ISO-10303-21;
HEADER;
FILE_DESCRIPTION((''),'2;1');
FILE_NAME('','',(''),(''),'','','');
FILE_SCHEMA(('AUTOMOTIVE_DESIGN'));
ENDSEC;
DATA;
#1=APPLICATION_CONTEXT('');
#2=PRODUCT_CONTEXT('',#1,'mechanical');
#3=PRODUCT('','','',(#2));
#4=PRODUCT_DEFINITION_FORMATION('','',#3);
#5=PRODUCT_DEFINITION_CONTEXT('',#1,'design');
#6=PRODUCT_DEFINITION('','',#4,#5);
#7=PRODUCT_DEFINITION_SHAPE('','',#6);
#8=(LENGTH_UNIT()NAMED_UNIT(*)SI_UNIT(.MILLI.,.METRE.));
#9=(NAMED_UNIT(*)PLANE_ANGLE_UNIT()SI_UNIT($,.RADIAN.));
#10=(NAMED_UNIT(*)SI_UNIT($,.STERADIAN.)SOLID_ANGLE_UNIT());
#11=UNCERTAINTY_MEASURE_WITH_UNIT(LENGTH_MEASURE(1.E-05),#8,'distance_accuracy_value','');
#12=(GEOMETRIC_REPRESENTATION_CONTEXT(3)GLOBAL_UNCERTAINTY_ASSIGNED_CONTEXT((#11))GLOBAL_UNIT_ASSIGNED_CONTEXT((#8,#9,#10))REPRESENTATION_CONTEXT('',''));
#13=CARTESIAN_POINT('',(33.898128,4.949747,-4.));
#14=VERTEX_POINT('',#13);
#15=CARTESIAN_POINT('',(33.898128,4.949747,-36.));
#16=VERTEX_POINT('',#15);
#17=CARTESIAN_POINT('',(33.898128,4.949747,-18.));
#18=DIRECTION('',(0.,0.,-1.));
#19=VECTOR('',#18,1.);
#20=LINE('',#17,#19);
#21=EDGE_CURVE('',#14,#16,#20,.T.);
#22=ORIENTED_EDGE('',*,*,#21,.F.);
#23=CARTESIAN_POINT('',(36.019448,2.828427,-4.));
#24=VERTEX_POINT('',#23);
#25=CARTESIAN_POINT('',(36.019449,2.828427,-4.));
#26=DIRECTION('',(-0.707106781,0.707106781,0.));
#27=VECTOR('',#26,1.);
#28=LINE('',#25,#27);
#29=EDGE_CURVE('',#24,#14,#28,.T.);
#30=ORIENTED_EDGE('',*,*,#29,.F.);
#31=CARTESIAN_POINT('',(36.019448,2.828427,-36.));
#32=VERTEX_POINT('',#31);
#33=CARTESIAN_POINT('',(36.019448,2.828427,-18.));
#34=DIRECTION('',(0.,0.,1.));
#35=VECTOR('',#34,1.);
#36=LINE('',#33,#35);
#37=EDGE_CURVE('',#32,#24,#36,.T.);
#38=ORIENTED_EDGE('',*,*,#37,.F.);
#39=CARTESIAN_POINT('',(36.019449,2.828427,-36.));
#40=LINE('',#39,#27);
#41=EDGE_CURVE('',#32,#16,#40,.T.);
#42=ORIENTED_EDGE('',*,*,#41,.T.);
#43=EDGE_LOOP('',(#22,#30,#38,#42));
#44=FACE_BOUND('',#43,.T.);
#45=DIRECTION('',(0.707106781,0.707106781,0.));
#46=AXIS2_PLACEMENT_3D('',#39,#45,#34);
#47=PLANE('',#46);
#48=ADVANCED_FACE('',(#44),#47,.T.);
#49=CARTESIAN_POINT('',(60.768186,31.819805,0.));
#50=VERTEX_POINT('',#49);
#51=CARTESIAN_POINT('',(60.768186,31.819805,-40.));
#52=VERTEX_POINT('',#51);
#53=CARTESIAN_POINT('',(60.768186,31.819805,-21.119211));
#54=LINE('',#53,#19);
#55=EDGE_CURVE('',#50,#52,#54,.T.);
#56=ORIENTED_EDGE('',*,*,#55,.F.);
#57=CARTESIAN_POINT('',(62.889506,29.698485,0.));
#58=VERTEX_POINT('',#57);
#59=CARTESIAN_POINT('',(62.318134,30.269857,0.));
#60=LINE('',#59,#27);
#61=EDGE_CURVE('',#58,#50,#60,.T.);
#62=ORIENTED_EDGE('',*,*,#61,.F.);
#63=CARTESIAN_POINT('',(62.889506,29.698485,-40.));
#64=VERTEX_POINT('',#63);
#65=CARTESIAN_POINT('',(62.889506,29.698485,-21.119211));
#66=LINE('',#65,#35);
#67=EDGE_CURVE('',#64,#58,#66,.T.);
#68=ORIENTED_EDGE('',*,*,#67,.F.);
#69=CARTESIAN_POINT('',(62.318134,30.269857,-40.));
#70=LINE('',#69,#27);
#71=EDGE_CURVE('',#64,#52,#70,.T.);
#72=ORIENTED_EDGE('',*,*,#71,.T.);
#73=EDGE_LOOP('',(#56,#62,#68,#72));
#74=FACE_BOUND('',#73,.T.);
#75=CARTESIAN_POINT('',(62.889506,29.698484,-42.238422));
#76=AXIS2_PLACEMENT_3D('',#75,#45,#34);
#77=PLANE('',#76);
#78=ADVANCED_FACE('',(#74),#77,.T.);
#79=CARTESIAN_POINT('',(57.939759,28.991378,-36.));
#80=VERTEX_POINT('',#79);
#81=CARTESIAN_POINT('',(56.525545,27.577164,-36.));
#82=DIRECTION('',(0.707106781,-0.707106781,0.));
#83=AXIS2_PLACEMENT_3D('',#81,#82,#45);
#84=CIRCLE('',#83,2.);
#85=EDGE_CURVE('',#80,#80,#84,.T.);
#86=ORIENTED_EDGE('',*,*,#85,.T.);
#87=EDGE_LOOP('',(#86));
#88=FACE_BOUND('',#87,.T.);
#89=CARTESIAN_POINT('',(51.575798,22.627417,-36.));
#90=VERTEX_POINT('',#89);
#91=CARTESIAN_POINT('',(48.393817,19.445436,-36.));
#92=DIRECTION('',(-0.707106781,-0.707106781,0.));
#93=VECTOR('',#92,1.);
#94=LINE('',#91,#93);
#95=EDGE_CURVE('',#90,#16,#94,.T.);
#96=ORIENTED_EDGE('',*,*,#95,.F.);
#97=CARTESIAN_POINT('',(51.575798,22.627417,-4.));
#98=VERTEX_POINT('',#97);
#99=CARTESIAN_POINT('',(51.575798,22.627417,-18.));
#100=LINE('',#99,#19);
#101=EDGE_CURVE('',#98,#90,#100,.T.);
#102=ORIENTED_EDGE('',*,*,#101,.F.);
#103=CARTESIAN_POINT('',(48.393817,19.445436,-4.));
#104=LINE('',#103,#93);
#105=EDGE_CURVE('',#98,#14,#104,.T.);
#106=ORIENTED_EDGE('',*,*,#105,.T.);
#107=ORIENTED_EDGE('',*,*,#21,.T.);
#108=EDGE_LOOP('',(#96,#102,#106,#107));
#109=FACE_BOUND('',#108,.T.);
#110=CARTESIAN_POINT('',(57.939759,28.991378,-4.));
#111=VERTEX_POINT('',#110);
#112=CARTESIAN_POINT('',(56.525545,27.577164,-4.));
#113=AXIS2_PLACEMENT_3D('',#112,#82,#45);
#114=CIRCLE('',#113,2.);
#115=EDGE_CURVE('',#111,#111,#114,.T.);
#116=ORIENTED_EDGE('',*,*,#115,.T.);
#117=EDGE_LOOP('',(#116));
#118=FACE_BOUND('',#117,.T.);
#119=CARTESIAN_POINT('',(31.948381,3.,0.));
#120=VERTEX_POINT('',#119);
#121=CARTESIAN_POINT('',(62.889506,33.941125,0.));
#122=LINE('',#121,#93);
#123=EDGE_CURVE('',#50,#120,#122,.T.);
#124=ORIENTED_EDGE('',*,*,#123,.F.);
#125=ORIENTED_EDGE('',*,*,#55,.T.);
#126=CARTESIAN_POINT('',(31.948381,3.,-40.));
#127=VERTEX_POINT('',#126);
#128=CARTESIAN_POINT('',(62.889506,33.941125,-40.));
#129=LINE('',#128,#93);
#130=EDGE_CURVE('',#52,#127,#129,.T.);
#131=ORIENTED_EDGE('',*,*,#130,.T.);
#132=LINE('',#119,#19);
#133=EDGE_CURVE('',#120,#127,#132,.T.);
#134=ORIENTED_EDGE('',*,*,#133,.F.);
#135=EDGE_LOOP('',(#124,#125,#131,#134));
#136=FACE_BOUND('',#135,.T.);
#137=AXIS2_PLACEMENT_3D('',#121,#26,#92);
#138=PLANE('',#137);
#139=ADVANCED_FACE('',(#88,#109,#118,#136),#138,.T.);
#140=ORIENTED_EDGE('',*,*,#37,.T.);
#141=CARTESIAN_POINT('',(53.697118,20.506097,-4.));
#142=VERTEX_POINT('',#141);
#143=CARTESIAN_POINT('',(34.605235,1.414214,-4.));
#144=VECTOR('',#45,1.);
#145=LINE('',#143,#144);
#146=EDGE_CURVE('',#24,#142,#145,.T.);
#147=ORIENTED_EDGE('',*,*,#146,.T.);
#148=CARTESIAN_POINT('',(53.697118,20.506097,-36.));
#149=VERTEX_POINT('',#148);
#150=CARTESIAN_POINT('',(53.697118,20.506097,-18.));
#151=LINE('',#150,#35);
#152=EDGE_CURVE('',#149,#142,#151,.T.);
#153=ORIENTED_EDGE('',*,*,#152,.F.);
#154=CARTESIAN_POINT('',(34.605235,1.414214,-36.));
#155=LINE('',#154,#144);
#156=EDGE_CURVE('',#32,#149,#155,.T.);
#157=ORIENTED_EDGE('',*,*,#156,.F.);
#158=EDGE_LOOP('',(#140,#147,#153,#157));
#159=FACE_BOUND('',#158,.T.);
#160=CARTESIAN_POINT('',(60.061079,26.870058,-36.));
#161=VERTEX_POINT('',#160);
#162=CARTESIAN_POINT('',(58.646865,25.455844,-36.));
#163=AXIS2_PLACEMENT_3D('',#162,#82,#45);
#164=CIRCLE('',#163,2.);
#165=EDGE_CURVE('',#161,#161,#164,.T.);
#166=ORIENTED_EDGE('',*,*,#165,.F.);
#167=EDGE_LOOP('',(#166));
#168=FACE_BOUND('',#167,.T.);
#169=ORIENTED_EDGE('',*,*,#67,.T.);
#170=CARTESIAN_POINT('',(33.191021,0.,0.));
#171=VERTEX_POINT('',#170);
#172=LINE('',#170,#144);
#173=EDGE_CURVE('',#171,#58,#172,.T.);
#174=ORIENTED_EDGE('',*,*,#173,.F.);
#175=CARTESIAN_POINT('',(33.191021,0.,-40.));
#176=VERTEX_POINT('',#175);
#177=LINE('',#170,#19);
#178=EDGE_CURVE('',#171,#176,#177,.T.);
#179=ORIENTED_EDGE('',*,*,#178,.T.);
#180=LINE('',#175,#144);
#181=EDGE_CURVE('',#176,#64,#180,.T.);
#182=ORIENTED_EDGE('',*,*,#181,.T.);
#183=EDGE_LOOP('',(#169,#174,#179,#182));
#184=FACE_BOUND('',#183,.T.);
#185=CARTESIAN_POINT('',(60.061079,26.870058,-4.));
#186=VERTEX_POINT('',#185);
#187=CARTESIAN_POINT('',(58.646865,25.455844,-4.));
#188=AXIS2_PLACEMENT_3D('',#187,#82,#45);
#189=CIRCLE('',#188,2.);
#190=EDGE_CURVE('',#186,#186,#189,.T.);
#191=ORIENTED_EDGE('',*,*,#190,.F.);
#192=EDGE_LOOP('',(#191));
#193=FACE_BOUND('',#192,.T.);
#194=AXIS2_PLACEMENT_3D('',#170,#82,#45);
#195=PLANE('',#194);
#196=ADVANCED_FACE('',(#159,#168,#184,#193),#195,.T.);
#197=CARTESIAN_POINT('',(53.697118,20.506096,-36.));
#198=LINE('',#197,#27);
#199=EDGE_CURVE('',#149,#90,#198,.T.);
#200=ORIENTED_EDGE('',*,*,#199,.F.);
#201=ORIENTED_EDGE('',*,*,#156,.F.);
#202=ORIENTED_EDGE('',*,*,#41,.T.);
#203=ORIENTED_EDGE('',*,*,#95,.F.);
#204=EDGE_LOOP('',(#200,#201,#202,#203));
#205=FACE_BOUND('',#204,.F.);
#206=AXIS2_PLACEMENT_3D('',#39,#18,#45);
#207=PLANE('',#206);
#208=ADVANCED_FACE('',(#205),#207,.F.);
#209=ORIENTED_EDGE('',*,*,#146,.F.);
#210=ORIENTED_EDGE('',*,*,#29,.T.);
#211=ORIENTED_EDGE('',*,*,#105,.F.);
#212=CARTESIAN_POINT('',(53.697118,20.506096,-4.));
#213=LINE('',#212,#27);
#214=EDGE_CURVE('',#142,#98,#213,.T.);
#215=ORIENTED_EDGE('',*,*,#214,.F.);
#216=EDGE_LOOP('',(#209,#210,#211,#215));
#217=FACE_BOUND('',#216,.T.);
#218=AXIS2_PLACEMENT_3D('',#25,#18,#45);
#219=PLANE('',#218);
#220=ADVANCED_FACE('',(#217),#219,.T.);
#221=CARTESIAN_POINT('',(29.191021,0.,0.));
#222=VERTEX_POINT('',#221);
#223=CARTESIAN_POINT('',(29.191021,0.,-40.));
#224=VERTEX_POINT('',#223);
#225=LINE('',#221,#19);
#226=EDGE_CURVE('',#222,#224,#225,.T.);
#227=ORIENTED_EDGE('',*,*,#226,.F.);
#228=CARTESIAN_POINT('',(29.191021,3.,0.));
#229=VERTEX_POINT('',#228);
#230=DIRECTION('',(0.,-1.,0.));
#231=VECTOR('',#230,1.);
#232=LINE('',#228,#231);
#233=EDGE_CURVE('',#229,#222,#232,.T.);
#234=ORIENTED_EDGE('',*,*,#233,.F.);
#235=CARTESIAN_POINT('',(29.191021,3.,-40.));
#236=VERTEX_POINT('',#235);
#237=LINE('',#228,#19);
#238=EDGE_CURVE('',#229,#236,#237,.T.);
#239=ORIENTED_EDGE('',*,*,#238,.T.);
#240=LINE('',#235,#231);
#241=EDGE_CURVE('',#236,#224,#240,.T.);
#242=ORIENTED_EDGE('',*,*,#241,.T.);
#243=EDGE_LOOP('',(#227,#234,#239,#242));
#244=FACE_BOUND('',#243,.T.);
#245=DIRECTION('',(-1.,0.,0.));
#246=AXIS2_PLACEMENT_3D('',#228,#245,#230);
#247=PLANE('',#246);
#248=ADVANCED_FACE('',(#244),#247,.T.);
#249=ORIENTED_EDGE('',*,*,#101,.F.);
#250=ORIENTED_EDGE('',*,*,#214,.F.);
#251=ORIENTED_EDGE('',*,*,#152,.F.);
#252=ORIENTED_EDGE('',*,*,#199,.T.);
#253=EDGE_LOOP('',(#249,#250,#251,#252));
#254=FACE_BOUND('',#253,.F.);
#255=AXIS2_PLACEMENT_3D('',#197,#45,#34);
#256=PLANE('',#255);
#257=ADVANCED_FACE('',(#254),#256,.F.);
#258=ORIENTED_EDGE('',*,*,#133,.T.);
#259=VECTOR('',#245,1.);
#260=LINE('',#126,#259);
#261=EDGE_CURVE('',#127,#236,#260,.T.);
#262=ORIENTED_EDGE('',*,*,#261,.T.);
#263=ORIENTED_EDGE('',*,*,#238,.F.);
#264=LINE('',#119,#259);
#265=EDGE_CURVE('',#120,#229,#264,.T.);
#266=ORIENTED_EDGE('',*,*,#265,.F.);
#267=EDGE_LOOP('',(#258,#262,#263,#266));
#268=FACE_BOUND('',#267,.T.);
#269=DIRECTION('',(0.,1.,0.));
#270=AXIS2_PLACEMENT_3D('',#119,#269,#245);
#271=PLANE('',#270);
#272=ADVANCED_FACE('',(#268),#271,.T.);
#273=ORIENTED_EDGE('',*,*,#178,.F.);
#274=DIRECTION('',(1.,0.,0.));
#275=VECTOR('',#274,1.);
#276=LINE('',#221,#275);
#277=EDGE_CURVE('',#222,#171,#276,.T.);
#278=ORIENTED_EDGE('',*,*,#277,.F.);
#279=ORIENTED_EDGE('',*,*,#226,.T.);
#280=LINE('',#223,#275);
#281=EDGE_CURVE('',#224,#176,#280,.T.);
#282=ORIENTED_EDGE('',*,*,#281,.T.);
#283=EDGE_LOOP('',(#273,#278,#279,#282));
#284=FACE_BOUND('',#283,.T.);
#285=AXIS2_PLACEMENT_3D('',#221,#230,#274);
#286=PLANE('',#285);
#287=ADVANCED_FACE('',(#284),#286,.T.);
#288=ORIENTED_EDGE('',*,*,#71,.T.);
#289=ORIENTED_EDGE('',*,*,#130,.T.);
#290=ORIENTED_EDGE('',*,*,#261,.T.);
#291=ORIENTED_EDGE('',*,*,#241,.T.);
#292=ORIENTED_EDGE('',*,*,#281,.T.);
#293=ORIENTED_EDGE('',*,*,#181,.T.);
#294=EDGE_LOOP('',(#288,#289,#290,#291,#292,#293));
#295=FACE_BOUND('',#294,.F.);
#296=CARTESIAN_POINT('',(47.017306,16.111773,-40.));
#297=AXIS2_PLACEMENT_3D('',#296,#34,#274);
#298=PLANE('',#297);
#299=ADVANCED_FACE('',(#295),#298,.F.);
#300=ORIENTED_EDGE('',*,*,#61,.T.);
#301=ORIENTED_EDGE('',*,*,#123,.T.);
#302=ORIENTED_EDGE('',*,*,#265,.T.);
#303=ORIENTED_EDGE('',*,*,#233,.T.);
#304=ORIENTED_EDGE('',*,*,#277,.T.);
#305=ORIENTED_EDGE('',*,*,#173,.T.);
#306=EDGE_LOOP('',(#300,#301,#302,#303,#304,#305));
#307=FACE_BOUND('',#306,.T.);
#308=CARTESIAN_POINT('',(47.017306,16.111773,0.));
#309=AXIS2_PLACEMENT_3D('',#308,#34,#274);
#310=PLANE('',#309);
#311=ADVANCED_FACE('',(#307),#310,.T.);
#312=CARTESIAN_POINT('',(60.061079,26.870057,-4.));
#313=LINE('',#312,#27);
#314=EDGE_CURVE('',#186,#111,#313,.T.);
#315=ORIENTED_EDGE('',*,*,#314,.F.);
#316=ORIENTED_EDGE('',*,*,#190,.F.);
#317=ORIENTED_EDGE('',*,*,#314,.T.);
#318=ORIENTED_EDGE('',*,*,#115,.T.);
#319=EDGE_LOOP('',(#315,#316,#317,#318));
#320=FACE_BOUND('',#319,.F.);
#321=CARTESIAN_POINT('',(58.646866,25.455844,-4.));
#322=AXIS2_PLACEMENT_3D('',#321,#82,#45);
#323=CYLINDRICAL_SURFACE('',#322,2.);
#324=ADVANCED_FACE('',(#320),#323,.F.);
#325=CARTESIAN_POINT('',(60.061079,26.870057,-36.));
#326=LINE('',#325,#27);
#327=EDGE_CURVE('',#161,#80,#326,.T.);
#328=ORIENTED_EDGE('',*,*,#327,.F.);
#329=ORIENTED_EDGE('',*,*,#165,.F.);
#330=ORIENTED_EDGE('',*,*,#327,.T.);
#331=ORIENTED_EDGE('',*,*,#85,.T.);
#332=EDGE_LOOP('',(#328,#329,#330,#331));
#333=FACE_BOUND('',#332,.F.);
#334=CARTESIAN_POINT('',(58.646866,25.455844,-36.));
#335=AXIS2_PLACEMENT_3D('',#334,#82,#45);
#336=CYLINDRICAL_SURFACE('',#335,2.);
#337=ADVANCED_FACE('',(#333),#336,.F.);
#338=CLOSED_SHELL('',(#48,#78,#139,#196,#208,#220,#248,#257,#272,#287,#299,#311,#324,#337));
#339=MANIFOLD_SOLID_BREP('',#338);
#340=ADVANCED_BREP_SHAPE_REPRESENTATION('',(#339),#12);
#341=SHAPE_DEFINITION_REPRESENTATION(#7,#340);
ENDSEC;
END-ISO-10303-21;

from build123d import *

# Parameters (mm, degrees)
PAD001_DEPTH    = 40
SKETCH002_R     = 2
POCKET_DEPTH    = 5
SKETCH003_W     = 14.874642
SKETCH003_H     = 51.167498
SKETCH003_W_2   = 25
SKETCH003_H_2   = 32
POCKET001_DEPTH = 5


with BuildPart() as part:
    # Sketch001 → Pad001 (new body)
    with BuildSketch(Plane.XY):
        Polygon((33.191021, 0), (65.010826, 31.819805), (62.889506, 33.941125), (31.948381, 3), (29.191021, 3), (29.191021, 0), align=None)
    extrude(amount=-PAD001_DEPTH)

    # Sketch002 → Pocket (cut)
    with BuildSketch(Plane(origin=(16.595511, -16.595511, 0), x_dir=(0.707107, 0.707107, 0), z_dir=(0.707107, -0.707107, 0))):
        with Locations((59.469596, -36)):
            Circle(SKETCH002_R)
        with Locations((59.469596, -4)):
            Circle(SKETCH002_R)
    extrude(amount=-POCKET_DEPTH, mode=Mode.SUBTRACT)

    # Sketch003 → Pocket001 (cut)
    with BuildSketch(Plane(origin=(16.595511, -16.595511, 0), x_dir=(0.707107, 0.707107, 0), z_dir=(0.707107, -0.707107, 0))):
        with Locations((72.906917, -16.654673)):
            Rectangle(SKETCH003_W, SKETCH003_H)
        with Locations((39.969596, -20)):
            Rectangle(SKETCH003_W_2, SKETCH003_H_2)
    extrude(amount=-POCKET001_DEPTH, mode=Mode.SUBTRACT)


solid = part.part
